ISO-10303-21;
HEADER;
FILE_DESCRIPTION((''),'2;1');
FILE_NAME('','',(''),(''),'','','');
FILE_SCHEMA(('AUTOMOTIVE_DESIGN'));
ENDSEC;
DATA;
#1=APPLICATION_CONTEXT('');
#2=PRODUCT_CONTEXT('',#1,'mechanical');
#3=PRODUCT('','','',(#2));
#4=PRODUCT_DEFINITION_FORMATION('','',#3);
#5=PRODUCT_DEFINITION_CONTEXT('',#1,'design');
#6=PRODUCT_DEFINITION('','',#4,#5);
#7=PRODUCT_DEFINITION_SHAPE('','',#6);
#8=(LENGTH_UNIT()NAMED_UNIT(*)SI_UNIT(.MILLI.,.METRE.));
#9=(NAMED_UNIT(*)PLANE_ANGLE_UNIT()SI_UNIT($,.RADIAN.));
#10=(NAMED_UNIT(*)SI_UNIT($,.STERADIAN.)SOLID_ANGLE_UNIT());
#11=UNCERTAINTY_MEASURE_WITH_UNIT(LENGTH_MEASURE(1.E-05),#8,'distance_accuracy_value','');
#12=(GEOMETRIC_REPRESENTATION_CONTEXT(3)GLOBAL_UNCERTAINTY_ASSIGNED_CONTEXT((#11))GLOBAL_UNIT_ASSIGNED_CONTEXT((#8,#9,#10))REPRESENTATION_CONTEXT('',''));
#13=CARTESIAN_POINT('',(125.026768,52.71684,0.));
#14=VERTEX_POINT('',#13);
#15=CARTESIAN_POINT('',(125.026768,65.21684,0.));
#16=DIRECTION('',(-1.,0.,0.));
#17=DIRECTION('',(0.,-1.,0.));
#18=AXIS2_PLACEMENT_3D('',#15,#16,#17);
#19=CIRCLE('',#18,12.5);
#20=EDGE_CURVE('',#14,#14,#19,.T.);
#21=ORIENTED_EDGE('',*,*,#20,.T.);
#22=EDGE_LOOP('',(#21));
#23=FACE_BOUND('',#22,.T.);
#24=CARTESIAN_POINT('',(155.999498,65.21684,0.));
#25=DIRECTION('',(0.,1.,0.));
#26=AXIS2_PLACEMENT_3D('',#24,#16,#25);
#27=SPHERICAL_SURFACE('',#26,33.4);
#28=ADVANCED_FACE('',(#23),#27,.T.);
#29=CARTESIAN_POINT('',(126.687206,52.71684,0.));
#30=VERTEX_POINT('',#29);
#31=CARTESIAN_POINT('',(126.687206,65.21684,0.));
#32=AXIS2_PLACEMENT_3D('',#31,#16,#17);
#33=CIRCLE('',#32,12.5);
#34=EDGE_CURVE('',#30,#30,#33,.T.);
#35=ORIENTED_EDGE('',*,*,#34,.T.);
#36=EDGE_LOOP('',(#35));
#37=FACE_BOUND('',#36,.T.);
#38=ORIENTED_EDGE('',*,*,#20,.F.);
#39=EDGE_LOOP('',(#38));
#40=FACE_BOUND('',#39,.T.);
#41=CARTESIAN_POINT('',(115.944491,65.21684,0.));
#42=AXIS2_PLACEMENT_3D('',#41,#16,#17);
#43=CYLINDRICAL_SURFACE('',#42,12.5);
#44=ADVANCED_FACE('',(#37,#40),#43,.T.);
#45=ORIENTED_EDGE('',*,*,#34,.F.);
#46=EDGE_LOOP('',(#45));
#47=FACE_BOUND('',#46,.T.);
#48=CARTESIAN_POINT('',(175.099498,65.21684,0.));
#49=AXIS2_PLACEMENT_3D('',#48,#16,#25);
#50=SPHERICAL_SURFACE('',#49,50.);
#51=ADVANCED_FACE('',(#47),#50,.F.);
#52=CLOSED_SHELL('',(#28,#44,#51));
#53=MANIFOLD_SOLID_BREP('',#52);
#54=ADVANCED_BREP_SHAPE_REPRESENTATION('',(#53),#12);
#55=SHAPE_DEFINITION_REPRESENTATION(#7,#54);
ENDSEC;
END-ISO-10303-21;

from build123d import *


with BuildPart() as part:
    # 草图1 → 旋转1 (revolve)
    with BuildSketch(Plane.XY):
        with BuildLine():
            Line((125.026767895, 77.716840471), (126.687206008, 77.716840471))
            ThreePointArc((126.687206008, 77.716840471), (125.498013023, 71.517055095), (125.099497836, 65.216840471))
            Line((125.099497836, 65.216840471), (122.599497836, 65.216840471))
            ThreePointArc((122.599497836, 65.216840471), (123.211930222, 71.583582965), (125.026767895, 77.716840471))
        make_face()
    revolve(axis=Axis((115.944491298, 65.216840471, 0), (1, 0, 0)))


solid = part.part
